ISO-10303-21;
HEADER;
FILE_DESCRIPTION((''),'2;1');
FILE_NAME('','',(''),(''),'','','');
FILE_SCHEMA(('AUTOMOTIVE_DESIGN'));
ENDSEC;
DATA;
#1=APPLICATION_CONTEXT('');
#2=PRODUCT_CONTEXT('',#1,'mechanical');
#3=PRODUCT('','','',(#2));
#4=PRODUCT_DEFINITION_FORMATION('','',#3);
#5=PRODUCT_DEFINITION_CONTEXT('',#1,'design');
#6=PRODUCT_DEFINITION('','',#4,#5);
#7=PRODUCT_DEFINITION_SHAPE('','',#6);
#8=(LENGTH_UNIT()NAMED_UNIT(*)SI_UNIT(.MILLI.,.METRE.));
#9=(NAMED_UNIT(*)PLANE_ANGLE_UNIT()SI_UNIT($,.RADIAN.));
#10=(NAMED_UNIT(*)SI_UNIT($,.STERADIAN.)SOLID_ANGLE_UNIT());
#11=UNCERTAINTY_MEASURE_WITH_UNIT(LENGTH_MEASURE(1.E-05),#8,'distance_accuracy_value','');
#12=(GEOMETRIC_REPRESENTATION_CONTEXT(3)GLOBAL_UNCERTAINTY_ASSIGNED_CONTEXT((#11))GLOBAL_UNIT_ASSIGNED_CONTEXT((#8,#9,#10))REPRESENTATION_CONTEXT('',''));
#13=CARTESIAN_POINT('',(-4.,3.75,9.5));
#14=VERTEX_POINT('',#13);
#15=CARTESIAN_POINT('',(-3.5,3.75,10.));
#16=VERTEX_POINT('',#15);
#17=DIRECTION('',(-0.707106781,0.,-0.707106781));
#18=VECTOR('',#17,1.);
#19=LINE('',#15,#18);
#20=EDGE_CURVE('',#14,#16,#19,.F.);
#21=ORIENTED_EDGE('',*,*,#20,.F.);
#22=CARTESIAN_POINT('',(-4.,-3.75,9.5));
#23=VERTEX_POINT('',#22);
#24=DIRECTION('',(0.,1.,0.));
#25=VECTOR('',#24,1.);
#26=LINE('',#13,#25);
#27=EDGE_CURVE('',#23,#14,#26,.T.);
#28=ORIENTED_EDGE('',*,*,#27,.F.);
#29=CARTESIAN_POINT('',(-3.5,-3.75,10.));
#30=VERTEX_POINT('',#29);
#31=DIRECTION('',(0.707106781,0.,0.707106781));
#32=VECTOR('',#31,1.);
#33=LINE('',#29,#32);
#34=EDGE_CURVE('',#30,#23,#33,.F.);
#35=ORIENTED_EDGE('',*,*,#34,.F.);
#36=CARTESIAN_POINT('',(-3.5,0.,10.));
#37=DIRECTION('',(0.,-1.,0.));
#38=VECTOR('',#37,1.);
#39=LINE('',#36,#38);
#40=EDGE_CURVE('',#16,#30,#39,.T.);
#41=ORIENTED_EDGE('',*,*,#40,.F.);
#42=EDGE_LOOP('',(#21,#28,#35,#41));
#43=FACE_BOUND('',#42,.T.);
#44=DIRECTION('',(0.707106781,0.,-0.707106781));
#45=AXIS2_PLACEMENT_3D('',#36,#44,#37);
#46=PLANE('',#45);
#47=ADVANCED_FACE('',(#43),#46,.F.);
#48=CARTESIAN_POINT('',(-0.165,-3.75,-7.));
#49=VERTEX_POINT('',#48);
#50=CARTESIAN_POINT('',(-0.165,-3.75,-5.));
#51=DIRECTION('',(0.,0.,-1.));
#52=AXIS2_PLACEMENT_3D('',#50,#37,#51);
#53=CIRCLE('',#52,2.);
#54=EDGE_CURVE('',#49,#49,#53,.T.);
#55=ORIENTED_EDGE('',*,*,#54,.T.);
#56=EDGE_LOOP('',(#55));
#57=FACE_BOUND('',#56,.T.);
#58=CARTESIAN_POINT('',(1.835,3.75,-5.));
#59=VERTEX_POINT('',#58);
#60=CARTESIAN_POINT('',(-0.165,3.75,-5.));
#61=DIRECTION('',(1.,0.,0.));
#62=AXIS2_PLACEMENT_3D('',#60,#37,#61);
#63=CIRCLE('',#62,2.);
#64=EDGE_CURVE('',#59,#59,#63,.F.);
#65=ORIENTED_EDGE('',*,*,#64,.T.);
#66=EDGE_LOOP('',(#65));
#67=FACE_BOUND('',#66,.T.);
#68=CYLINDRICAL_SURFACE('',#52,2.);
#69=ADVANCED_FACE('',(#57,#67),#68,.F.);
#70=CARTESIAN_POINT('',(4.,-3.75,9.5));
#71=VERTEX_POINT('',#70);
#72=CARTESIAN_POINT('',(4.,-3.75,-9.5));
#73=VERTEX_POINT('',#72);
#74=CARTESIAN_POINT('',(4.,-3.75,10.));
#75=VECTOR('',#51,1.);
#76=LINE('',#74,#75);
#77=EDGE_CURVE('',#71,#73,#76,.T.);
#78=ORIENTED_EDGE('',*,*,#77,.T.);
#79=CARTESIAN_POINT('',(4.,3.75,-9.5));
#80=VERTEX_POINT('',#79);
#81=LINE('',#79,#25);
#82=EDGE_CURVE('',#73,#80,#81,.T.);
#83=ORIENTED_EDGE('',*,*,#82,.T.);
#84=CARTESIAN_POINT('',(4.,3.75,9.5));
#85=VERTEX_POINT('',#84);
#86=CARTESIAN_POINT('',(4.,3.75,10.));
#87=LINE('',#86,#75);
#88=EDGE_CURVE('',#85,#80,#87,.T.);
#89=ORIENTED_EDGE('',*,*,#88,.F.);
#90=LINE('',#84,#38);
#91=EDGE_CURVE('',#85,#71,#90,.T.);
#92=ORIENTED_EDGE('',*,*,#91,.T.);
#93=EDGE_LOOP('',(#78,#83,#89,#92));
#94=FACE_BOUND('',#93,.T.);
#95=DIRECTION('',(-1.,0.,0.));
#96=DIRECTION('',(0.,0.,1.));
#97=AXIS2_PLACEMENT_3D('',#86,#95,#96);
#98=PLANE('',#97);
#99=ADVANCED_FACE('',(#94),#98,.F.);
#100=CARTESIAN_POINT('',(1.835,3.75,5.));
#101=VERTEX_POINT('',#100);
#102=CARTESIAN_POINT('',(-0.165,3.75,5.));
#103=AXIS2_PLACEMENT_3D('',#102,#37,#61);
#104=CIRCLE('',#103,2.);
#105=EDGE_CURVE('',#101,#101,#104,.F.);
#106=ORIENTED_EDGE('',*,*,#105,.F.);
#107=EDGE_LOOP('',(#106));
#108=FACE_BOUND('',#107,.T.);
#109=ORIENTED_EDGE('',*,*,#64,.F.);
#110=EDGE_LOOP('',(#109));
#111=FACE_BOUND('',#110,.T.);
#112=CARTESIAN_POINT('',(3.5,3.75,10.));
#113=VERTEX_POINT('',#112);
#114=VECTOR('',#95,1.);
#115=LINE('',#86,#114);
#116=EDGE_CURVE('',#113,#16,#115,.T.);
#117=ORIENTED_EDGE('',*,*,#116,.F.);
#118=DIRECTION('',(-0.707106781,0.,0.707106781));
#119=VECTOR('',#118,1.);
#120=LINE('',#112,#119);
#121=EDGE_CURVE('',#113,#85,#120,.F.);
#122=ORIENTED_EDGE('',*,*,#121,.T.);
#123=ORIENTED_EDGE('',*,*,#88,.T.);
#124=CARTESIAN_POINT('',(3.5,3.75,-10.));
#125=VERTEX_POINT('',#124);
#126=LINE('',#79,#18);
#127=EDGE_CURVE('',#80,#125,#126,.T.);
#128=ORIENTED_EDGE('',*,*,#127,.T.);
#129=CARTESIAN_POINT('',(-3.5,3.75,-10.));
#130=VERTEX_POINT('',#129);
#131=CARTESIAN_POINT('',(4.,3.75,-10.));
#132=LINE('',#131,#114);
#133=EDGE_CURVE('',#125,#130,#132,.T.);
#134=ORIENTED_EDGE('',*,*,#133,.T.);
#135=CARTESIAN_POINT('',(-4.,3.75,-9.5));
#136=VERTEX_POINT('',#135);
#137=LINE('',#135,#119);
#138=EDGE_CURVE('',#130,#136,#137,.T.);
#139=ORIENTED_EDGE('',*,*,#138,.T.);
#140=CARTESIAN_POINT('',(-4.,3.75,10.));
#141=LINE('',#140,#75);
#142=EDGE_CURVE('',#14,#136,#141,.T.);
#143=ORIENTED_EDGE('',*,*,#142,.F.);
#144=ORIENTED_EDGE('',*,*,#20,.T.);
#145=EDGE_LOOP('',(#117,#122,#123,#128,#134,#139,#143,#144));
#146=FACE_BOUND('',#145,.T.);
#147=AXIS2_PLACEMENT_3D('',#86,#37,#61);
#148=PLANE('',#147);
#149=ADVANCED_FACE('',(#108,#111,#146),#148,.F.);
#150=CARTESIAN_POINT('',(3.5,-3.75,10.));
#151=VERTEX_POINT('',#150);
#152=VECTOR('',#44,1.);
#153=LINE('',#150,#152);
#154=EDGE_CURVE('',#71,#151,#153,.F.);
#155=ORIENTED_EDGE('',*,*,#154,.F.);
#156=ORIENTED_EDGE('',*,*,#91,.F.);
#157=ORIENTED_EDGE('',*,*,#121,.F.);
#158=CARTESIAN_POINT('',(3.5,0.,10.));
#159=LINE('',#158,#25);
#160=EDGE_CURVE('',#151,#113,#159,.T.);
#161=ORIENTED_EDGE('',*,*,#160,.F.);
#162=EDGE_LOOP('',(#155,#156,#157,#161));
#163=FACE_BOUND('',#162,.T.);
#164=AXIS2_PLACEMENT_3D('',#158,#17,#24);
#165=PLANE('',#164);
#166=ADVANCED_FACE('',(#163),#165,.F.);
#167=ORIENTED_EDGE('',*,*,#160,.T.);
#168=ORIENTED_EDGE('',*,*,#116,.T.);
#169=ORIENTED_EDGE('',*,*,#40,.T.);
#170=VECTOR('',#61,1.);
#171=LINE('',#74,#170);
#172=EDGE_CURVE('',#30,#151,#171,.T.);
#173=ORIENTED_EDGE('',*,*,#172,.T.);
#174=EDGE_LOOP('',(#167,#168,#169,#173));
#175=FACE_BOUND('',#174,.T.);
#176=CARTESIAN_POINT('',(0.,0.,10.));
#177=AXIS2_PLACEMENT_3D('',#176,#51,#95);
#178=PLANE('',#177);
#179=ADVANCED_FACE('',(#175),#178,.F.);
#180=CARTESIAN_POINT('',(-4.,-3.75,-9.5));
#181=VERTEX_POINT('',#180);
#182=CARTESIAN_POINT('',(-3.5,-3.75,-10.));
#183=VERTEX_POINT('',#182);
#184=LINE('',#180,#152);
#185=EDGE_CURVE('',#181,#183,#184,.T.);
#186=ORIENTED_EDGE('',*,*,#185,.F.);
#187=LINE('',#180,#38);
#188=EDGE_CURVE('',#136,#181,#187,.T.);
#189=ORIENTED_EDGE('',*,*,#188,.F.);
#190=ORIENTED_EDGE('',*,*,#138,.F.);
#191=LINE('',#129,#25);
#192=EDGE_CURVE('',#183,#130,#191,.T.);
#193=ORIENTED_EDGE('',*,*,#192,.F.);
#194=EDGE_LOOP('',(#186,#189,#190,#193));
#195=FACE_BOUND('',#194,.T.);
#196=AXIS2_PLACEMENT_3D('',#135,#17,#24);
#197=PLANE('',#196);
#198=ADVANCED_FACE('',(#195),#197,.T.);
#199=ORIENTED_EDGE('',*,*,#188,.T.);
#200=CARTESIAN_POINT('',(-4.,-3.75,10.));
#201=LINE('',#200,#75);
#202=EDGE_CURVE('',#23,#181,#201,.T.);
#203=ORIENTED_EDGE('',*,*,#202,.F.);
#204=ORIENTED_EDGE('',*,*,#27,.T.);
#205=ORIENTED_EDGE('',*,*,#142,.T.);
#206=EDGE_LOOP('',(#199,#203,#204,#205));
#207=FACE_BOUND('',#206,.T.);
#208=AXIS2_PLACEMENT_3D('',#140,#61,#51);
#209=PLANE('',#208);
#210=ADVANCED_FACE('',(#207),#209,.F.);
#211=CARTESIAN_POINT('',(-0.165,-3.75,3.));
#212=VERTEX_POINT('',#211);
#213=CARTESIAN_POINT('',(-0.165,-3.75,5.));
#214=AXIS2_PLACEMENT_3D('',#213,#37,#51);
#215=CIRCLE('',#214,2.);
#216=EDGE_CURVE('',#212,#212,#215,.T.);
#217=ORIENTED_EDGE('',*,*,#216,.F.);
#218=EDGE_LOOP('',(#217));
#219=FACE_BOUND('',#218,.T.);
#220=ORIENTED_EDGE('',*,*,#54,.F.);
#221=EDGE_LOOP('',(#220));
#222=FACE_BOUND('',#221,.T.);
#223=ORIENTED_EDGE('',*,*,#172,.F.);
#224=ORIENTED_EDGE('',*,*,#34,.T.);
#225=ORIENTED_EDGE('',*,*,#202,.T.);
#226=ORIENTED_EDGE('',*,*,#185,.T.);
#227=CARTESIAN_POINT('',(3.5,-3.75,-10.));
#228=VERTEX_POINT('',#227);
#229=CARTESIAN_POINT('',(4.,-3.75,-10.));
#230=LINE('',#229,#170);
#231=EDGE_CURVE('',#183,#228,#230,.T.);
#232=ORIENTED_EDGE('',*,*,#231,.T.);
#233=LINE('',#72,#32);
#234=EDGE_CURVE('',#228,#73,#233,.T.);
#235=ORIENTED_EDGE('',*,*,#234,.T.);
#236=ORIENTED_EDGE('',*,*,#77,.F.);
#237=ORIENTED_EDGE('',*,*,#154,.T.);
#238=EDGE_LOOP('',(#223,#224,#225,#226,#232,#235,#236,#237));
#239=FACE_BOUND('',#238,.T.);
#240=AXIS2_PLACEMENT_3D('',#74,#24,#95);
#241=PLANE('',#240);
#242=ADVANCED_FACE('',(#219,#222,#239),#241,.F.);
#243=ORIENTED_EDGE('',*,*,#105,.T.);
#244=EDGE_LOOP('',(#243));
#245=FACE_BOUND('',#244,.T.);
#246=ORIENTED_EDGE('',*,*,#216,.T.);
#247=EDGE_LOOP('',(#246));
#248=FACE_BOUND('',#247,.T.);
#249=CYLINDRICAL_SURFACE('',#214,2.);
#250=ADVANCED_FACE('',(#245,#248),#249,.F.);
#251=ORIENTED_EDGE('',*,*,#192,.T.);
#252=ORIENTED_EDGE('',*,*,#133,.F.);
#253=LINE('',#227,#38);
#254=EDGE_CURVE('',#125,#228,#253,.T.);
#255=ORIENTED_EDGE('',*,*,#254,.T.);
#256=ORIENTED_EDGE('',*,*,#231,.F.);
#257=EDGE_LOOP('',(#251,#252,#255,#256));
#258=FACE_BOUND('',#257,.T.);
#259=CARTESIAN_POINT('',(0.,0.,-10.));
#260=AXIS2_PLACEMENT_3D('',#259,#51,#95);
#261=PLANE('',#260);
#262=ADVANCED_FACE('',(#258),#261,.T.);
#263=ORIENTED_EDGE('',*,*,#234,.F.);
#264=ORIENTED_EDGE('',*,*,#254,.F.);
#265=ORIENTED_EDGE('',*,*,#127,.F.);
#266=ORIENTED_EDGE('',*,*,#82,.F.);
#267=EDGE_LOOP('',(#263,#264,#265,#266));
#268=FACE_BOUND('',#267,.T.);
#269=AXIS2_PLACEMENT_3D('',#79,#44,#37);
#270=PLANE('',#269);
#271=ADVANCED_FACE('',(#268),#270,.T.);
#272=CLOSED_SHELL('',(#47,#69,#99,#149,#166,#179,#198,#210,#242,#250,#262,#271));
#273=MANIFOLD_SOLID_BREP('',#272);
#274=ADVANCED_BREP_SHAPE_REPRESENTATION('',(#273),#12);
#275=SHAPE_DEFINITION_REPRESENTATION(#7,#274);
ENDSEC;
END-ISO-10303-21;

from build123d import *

# Parameters (mm, degrees)
SKETCH_1_W            = 8
SKETCH_1_H            = 7.5
EXTRUDE_1_DEPTH       = 10
CHAMFER_1_SIZE        = 0.5
HOLE_WIZARD_4_0_4_1_D = 4


with BuildPart() as part:
    # 草图1 → 凸台-拉伸1 (new, symmetric)
    with BuildSketch(Plane.XY):
        Rectangle(SKETCH_1_W, SKETCH_1_H)
    extrude(amount=EXTRUDE_1_DEPTH, both=True)

    # 倒角1
    chamfer_1_edges = [part.edges().sort_by_distance(p)[0] for p in [
        (4, 0, 10),
        (-4, 0, 10),
        (4, 0, -10),
        (-4, 0, -10),
    ]]
    chamfer(chamfer_1_edges, length=CHAMFER_1_SIZE)

    # Ø4.0 (4) 直径孔1 (through all)
    with Locations(Plane(origin=(51.8, -3.75, -33), x_dir=(-1, 0, 0), z_dir=(0, -1, 0))):
        with Locations((51.965, -38), (51.965, -28)):
            Hole(HOLE_WIZARD_4_0_4_1_D / 2)


solid = part.part
